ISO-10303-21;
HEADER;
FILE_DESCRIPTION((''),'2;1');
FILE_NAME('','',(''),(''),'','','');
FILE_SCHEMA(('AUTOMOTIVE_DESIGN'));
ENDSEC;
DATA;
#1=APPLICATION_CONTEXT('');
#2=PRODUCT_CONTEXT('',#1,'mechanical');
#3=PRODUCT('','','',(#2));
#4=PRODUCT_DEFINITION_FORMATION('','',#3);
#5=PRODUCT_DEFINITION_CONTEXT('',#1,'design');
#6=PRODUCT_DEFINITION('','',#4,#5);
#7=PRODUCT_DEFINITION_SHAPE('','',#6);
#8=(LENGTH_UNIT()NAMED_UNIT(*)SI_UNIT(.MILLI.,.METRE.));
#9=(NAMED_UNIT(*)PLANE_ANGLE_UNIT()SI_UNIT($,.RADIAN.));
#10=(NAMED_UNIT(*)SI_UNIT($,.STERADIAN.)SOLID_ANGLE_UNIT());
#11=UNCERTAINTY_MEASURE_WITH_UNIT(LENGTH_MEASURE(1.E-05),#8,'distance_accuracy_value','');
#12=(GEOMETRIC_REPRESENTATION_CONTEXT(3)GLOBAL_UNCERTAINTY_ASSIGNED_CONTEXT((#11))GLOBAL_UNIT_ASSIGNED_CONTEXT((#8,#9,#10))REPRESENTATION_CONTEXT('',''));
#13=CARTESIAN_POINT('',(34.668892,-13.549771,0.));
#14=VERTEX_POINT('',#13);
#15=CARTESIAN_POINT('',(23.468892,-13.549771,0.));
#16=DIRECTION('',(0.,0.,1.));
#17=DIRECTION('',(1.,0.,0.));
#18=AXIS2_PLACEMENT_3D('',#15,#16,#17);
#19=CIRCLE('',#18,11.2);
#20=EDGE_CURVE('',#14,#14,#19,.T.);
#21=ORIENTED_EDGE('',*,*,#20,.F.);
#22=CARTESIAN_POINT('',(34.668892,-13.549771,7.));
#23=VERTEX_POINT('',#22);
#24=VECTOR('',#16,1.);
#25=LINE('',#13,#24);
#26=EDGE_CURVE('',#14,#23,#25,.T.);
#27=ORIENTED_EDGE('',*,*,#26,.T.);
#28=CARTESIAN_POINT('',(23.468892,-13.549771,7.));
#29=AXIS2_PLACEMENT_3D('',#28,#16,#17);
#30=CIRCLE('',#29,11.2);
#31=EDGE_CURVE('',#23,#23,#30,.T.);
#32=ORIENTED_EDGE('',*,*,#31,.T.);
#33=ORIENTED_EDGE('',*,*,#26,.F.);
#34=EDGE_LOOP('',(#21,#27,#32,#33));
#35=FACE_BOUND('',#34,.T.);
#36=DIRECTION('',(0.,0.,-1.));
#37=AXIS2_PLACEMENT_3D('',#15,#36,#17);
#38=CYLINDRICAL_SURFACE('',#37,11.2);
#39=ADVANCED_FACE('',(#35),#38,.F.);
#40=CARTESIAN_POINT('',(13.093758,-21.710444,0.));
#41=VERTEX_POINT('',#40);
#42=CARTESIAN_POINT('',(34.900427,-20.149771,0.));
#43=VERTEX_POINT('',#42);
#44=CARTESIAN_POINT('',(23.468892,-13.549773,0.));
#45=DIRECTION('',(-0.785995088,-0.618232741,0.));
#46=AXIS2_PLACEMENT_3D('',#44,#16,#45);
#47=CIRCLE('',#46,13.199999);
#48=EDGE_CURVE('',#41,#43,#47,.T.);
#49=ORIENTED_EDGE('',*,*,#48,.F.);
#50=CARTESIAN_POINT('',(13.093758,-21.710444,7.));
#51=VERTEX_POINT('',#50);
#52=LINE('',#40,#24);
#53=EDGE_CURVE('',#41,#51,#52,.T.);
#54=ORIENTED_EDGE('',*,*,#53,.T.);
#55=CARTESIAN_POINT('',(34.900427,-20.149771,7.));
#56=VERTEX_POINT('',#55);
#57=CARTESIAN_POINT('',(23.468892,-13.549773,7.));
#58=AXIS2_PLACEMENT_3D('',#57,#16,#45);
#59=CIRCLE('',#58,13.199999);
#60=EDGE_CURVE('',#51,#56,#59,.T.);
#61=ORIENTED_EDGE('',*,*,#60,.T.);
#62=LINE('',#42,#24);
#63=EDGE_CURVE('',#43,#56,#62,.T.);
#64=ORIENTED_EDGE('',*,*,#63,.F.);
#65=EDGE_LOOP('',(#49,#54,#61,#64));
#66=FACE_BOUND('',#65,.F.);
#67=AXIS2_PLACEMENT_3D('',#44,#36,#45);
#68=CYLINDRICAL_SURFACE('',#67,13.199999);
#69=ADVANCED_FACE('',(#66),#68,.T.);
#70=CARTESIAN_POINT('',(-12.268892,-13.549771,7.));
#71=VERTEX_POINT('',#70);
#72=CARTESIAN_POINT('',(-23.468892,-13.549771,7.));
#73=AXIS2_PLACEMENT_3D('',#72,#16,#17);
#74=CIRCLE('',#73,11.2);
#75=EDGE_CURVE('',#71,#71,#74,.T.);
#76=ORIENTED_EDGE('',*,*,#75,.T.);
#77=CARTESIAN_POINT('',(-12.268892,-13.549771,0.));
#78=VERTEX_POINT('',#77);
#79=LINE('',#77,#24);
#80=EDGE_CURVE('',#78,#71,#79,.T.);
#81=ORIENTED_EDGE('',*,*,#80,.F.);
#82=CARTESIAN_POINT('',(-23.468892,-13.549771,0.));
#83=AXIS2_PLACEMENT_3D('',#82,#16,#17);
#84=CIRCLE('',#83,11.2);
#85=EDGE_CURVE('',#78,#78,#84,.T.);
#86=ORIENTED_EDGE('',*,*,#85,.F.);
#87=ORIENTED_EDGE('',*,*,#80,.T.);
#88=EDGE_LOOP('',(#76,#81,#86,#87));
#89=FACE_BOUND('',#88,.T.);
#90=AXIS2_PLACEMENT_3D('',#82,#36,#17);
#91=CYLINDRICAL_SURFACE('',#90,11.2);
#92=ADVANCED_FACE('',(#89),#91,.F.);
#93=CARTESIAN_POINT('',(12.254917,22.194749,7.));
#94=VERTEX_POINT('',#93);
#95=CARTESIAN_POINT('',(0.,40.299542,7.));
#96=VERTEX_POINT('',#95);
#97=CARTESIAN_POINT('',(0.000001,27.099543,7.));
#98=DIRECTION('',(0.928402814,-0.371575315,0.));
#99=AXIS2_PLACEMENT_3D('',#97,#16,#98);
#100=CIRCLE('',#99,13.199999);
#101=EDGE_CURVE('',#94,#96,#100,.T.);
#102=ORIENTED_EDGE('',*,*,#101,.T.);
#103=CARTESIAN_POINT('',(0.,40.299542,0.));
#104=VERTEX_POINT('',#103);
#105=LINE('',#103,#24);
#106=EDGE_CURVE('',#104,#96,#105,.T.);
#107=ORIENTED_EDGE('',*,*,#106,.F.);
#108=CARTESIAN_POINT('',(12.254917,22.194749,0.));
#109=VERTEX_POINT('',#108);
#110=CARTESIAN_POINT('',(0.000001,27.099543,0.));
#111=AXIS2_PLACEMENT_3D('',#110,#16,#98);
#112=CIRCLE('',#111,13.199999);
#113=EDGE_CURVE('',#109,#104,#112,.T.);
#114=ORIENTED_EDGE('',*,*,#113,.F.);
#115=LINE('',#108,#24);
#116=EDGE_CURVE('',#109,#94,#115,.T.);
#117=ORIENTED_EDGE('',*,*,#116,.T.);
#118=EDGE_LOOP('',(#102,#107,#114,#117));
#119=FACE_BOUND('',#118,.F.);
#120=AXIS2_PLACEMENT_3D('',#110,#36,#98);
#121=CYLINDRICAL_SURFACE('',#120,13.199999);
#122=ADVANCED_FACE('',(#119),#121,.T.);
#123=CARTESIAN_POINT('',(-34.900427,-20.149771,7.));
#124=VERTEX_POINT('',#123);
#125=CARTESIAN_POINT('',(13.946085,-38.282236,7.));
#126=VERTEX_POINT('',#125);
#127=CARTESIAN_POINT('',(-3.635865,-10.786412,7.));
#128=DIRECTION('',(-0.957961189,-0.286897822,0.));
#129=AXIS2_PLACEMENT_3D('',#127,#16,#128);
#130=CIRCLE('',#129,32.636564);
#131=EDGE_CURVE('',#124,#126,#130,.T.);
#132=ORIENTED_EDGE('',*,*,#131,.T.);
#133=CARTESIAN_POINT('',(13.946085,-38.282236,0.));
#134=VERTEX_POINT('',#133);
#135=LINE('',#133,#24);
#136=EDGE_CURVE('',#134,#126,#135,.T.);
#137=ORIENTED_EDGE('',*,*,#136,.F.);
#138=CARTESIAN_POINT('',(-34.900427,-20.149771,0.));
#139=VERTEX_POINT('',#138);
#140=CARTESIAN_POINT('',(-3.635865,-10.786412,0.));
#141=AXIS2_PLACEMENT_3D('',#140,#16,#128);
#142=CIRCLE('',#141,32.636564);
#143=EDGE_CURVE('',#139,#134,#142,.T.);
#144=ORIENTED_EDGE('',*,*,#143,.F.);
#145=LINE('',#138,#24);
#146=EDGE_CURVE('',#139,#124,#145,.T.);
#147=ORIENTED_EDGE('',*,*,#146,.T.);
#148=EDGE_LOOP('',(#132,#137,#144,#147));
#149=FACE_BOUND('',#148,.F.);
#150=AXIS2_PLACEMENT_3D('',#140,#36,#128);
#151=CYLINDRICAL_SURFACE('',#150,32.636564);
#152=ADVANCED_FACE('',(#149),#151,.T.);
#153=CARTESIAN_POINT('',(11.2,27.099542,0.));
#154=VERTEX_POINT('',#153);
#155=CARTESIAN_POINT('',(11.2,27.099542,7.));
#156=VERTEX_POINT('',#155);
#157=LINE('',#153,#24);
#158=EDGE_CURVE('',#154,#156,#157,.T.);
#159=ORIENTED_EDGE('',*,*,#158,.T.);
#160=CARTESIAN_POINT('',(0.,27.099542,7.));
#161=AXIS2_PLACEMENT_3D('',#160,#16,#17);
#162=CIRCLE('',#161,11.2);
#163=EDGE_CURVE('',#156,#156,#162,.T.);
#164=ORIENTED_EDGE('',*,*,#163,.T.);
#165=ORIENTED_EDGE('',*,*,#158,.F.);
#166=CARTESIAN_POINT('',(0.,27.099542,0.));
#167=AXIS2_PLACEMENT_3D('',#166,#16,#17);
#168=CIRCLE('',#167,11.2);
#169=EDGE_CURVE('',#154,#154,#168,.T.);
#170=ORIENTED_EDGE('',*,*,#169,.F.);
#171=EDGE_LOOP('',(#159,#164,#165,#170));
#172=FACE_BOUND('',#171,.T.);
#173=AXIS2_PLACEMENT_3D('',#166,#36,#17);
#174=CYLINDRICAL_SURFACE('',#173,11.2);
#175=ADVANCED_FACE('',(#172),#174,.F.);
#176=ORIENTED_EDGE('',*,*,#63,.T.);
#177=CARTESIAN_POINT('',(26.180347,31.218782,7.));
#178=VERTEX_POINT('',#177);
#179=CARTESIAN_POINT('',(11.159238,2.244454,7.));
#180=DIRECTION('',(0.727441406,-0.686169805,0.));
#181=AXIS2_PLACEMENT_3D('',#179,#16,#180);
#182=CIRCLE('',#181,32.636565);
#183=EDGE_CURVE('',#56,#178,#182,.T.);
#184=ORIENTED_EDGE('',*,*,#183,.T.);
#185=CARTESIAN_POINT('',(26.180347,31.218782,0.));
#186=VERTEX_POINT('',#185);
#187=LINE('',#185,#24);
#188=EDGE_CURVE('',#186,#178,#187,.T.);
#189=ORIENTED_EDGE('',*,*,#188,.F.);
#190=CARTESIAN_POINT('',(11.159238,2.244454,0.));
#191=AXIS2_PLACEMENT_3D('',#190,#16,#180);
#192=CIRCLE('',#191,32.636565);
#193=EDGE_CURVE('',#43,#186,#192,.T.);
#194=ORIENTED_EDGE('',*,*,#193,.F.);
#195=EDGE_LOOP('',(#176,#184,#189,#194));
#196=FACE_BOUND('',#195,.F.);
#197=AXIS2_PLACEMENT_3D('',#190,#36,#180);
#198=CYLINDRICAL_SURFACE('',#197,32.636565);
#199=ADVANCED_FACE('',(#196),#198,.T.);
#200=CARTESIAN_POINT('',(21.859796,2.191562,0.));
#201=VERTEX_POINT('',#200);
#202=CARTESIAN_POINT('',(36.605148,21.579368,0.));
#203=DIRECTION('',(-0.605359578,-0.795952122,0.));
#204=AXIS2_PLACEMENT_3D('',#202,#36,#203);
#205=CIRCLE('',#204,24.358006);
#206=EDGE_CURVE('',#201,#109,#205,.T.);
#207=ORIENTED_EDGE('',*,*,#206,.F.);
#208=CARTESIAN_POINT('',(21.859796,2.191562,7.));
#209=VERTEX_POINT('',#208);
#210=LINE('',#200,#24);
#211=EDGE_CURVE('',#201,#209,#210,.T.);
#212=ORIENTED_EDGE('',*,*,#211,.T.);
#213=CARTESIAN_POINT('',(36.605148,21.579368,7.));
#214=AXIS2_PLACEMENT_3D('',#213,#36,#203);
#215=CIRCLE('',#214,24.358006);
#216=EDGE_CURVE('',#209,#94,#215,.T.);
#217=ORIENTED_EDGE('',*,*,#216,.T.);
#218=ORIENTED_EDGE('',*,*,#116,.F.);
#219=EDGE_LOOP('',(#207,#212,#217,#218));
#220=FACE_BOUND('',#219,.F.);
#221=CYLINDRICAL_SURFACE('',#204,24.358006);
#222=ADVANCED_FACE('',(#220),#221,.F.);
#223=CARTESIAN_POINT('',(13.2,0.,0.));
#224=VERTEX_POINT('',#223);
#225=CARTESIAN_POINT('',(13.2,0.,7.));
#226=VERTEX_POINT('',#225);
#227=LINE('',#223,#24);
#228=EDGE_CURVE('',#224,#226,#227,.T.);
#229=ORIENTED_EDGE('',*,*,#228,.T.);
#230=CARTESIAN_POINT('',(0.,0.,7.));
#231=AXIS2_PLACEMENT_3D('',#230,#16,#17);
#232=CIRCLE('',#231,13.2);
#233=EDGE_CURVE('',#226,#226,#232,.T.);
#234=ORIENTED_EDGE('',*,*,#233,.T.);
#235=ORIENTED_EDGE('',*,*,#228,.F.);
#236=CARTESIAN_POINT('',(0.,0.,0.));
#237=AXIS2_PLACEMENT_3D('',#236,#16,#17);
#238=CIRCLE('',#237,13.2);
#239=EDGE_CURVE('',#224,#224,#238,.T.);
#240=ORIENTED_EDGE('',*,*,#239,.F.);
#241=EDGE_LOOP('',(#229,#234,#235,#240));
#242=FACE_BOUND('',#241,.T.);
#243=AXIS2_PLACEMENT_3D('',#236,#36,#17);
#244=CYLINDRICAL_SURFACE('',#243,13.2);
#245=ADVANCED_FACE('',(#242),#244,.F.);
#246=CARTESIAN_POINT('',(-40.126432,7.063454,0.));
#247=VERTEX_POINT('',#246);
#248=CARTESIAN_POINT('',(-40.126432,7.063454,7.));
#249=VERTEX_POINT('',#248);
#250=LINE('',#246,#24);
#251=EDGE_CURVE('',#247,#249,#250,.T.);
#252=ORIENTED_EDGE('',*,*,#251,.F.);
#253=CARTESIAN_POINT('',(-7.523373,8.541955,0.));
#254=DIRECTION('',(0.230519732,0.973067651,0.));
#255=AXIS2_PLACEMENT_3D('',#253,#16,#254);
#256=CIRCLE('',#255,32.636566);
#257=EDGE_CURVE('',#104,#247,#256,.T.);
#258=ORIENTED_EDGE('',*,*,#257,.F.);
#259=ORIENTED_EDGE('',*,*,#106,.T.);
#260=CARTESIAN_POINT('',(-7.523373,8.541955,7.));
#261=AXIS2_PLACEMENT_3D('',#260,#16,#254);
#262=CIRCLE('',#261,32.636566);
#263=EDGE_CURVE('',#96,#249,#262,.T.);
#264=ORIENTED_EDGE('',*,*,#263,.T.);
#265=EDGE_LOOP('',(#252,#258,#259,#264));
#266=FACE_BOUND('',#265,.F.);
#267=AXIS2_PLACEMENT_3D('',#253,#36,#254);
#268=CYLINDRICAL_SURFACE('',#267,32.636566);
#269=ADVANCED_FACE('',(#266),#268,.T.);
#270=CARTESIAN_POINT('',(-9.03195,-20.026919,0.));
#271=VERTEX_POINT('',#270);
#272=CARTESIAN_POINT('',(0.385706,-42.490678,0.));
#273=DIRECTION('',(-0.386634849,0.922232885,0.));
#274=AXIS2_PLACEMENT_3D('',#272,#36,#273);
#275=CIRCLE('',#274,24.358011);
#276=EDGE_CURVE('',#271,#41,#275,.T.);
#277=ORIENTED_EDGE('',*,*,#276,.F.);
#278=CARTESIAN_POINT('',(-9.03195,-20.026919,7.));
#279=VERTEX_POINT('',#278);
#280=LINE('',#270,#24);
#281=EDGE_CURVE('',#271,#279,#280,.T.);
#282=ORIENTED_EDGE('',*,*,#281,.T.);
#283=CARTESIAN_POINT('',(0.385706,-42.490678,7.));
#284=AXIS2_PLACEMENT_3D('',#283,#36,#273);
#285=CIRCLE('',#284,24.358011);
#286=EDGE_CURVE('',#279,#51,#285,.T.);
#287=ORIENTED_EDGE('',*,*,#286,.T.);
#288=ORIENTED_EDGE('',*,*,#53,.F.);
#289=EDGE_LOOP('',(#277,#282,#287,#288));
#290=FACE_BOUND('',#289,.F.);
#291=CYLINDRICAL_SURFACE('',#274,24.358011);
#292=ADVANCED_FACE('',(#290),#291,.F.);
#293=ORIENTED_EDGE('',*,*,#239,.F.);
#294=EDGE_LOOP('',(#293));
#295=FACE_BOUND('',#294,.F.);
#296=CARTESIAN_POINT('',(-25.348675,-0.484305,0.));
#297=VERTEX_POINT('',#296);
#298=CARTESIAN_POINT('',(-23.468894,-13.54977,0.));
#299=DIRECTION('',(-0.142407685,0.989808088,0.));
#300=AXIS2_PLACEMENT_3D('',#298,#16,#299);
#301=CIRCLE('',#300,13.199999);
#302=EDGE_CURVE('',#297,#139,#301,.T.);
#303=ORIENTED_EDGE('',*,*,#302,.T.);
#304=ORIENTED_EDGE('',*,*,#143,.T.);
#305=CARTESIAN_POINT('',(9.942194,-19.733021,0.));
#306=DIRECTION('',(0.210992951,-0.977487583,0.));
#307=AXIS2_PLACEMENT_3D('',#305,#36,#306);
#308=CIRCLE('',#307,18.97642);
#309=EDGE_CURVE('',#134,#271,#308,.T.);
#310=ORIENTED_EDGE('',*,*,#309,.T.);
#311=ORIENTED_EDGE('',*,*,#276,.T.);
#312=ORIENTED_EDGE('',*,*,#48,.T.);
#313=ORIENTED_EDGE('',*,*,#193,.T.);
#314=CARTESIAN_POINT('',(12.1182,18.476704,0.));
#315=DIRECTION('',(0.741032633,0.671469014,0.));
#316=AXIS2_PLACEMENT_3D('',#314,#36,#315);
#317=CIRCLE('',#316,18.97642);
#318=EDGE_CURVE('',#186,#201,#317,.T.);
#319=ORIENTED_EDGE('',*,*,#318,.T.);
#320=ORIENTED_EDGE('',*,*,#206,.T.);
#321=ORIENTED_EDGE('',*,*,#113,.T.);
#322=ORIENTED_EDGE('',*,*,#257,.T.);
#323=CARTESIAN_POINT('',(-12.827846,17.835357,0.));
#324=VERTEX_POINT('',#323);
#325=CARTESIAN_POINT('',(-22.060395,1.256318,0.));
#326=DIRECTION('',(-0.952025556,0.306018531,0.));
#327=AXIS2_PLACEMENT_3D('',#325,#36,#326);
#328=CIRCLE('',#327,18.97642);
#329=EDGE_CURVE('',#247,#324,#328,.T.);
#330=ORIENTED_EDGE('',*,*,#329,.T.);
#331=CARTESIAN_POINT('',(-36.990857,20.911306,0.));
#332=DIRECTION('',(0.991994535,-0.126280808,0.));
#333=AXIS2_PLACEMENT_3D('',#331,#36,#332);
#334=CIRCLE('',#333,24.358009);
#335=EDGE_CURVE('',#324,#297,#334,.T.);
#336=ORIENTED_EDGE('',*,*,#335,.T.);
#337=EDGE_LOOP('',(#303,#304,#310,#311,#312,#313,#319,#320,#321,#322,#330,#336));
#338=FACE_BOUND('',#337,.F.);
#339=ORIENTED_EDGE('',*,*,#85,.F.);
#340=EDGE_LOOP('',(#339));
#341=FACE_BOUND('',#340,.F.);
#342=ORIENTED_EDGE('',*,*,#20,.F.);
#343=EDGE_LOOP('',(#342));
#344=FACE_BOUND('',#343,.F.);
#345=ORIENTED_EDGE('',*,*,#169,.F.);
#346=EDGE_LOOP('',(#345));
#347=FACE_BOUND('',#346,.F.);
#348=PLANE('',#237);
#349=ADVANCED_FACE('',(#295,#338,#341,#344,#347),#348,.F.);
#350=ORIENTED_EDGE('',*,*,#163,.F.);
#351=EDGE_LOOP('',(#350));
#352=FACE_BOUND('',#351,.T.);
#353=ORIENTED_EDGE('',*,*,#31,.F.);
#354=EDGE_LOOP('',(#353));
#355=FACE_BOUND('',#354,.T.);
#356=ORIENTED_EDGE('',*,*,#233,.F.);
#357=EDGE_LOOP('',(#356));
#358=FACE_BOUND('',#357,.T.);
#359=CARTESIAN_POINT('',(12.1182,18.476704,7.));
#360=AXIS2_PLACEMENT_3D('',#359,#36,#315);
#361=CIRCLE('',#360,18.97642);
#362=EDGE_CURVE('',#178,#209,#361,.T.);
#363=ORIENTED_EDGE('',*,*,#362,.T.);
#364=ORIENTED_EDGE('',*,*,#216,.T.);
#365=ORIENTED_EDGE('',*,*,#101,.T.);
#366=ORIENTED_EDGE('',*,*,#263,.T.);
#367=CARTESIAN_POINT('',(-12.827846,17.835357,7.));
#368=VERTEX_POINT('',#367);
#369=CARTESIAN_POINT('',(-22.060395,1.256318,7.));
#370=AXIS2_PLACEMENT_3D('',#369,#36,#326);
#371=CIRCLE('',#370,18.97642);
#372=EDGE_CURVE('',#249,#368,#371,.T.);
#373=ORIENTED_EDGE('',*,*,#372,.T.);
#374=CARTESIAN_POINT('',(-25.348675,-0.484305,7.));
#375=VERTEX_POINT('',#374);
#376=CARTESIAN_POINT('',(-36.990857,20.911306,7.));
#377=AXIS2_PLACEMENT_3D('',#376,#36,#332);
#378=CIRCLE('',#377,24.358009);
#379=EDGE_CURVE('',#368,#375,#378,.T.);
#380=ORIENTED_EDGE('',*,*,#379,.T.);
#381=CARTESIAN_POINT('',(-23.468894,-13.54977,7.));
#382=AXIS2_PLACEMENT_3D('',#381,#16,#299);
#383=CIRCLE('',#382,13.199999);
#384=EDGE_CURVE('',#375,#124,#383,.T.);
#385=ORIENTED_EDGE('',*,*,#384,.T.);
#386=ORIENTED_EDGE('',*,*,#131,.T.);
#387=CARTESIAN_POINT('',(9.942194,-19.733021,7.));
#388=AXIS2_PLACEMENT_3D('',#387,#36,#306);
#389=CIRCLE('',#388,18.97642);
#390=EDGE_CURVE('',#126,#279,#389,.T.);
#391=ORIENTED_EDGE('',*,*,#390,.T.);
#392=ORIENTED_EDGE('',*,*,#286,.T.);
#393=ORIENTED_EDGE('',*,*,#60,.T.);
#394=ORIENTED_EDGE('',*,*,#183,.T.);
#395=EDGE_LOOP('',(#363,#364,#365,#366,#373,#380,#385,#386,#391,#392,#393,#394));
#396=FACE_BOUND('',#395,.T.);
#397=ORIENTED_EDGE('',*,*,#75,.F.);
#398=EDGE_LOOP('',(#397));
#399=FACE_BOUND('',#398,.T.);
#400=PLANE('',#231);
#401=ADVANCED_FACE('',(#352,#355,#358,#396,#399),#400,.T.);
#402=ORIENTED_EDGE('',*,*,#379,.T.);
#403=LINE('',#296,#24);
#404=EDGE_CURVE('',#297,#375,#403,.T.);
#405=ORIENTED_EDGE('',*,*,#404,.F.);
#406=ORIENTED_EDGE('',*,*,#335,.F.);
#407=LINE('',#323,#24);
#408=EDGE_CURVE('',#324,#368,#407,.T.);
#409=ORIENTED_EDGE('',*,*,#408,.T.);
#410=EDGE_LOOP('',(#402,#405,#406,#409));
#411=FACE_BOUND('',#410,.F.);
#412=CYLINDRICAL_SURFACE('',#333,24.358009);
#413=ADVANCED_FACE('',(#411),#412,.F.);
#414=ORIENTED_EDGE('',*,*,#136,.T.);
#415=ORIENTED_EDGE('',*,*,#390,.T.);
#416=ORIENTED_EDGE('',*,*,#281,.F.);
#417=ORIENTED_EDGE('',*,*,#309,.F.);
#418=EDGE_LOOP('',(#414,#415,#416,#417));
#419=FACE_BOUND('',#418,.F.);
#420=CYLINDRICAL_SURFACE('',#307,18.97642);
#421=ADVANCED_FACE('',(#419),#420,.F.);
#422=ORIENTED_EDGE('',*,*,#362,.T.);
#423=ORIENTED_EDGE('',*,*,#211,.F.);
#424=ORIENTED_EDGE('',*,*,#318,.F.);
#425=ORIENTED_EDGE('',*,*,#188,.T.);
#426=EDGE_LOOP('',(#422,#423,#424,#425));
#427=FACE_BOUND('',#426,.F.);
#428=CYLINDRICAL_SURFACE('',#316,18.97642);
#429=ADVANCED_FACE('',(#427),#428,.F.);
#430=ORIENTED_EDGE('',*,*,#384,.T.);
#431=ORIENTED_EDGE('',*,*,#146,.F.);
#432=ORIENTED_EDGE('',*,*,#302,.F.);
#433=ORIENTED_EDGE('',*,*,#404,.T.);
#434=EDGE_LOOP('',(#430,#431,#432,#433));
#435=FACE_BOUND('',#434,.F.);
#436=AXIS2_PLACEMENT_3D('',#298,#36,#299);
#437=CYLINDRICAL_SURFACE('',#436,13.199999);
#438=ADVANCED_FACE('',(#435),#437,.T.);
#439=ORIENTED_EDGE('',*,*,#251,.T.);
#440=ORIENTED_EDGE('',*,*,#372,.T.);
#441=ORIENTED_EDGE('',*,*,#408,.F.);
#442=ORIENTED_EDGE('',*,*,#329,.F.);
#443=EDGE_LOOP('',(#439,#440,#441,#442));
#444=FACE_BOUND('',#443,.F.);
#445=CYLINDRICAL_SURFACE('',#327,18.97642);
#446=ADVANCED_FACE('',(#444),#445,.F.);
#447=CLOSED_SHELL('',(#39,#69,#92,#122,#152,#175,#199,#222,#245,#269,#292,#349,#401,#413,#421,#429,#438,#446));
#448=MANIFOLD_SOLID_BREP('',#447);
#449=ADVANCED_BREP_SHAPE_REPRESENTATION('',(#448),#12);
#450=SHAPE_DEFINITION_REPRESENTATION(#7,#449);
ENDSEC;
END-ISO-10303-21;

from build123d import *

# Parameters (mm, degrees)
F0_R     = 11.2
F0_R_2   = 13.2
F1_DEPTH = 7


with BuildPart() as f1:
    # F0 (on Top) → F1 (new body)
    with BuildSketch(Plane.XY):
        with BuildLine():
            ThreePointArc((21.859796, 2.191562), (14.647279, 11.035914), (12.254917, 22.194749))
            ThreePointArc((12.254917, 22.194749), (10.931223, 34.498756), (0, 40.299542))
            ThreePointArc((0, 40.299542), (-10.375988, 35.25913), (-12.827846, 23.987249))
            ThreePointArc((-12.827846, 23.987249), (-12.632849, 20.911303), (-12.827846, 17.835357))
            ThreePointArc((-12.827846, 17.835357), (-16.881022, 7.166958), (-25.348675, -0.484305))
            ThreePointArc((-25.348675, -0.484305), (-35.342411, -7.782661), (-34.900427, -20.149771))
            ThreePointArc((-34.900427, -20.149771), (-25.347308, -26.615434), (-14.359644, -23.102865))
            ThreePointArc((-14.359644, -23.102865), (-11.793295, -21.39602), (-9.03195, -20.026919))
            ThreePointArc((-9.03195, -20.026919), (2.233743, -18.202873), (13.093758, -21.710444))
            ThreePointArc((13.093758, -21.710444), (24.411188, -26.716095), (34.900427, -20.149771))
            ThreePointArc((34.900427, -20.149771), (35.723296, -8.643695), (27.18749, -0.884384))
            ThreePointArc((27.18749, -0.884384), (24.426145, 0.484717), (21.859796, 2.191562))
        make_face()
        with Locations((-23.468892, -13.549771)):
            Circle(F0_R, mode=Mode.SUBTRACT)
        with Locations((23.468892, -13.549771)):
            Circle(F0_R, mode=Mode.SUBTRACT)
        Circle(F0_R_2, mode=Mode.SUBTRACT)
        with Locations((0, 27.099542)):
            Circle(F0_R, mode=Mode.SUBTRACT)
        with BuildLine():
            ThreePointArc((-12.827846, 23.987249), (-10.375988, 35.25913), (0, 40.299542))
            ThreePointArc((0, 40.299542), (-28.341803, 33.676362), (-40.126432, 7.063454))
            ThreePointArc((-40.126432, 7.063454), (-29.025745, 18.908185), (-12.827846, 17.835357))
            ThreePointArc((-12.827846, 17.835357), (-12.632849, 20.911303), (-12.827846, 23.987249))
        make_face()
        with BuildLine():
            ThreePointArc((26.180347, 31.218782), (30.887841, 15.68294), (21.859796, 2.191562))
            ThreePointArc((21.859796, 2.191562), (24.426145, 0.484717), (27.18749, -0.884384))
            ThreePointArc((27.18749, -0.884384), (35.723296, -8.643695), (34.900427, -20.149771))
            ThreePointArc((34.900427, -20.149771), (43.335487, 7.706541), (26.180347, 31.218782))
        make_face()
        with BuildLine():
            ThreePointArc((-14.359644, -23.102865), (-25.347308, -26.615434), (-34.900427, -20.149771))
            ThreePointArc((-34.900427, -20.149771), (-14.993684, -41.382903), (13.946085, -38.282236))
            ThreePointArc((13.946085, -38.282236), (-1.862096, -34.591125), (-9.03195, -20.026919))
            ThreePointArc((-9.03195, -20.026919), (-11.793295, -21.39602), (-14.359644, -23.102865))
        make_face()
    extrude(amount=F1_DEPTH)


solid = f1.part
